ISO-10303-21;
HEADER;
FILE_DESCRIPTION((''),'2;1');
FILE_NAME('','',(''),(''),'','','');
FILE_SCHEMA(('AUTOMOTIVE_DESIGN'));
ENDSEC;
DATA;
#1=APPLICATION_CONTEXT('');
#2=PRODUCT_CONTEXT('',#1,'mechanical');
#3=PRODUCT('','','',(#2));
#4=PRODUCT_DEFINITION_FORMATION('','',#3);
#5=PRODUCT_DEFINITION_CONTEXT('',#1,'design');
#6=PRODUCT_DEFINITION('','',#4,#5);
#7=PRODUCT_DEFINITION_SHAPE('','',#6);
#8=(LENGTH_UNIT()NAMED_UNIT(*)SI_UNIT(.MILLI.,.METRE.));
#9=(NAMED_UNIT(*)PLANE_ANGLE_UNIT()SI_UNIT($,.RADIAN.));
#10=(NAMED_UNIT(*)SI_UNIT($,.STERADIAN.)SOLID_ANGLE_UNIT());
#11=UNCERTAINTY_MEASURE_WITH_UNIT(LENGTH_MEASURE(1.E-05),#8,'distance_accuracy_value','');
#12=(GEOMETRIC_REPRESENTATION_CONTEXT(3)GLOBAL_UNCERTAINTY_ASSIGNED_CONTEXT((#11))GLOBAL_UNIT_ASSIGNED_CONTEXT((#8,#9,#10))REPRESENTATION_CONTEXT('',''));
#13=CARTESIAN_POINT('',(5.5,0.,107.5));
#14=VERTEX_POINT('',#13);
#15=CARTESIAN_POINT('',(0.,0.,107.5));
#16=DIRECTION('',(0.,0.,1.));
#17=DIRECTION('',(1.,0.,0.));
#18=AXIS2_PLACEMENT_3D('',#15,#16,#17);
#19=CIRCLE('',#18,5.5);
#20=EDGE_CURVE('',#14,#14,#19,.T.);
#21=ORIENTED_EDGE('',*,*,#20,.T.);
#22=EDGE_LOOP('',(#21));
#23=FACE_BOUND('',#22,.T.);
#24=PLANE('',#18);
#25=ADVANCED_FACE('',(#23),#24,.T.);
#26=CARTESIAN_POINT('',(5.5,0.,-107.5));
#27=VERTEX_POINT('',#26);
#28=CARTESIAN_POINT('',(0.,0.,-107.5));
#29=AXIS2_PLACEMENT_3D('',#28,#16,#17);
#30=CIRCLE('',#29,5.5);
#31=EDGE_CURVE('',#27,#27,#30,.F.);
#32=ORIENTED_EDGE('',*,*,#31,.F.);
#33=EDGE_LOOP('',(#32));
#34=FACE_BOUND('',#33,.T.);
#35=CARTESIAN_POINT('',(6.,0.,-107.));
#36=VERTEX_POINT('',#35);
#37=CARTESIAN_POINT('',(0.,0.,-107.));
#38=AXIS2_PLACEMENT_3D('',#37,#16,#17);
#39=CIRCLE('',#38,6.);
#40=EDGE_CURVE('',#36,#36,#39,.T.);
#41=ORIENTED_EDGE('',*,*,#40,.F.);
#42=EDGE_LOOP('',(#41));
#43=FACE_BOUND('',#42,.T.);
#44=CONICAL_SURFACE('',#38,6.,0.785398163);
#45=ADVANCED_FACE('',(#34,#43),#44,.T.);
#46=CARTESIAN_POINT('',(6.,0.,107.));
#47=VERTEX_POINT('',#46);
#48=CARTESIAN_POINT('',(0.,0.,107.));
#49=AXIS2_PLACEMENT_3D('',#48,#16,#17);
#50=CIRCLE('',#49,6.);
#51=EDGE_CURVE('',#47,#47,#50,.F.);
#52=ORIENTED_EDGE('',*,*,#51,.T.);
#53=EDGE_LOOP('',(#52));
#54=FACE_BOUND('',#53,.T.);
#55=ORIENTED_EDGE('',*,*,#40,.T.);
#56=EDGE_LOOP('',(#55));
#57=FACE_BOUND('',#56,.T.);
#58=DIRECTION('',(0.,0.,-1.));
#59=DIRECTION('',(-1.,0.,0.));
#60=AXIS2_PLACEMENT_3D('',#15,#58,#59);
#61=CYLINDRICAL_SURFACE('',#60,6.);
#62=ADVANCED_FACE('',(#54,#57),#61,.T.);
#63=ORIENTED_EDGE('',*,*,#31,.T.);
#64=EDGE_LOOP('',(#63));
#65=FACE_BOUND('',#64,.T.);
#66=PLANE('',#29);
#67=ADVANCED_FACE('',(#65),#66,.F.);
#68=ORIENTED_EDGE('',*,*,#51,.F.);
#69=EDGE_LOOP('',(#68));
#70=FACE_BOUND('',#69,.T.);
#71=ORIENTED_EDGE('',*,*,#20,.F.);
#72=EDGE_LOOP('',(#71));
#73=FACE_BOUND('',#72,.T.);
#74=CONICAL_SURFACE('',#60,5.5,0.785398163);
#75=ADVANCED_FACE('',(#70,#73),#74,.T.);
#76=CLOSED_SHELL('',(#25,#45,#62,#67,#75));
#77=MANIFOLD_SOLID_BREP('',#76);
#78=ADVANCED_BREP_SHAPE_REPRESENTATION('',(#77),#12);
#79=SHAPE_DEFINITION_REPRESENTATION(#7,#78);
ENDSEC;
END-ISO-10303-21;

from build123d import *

# Parameters (mm, degrees)
SKETCH2_R           = 6
BOSS_EXTRUDE1_DEPTH = 107.5
CHAMFER1_SIZE       = 0.5


with BuildPart() as part:
    # Sketch2 → Boss-Extrude1 (new body, symmetric)
    with BuildSketch(Plane.XY):
        Circle(SKETCH2_R)
    extrude(amount=BOSS_EXTRUDE1_DEPTH, both=True)

    # Chamfer1
    chamfer1_edges = [part.edges().sort_by_distance(p)[0] for p in [
        (-6, 0, -107.5),
        (-6, 0, 107.5),
    ]]
    chamfer(chamfer1_edges, length=CHAMFER1_SIZE)


solid = part.part
